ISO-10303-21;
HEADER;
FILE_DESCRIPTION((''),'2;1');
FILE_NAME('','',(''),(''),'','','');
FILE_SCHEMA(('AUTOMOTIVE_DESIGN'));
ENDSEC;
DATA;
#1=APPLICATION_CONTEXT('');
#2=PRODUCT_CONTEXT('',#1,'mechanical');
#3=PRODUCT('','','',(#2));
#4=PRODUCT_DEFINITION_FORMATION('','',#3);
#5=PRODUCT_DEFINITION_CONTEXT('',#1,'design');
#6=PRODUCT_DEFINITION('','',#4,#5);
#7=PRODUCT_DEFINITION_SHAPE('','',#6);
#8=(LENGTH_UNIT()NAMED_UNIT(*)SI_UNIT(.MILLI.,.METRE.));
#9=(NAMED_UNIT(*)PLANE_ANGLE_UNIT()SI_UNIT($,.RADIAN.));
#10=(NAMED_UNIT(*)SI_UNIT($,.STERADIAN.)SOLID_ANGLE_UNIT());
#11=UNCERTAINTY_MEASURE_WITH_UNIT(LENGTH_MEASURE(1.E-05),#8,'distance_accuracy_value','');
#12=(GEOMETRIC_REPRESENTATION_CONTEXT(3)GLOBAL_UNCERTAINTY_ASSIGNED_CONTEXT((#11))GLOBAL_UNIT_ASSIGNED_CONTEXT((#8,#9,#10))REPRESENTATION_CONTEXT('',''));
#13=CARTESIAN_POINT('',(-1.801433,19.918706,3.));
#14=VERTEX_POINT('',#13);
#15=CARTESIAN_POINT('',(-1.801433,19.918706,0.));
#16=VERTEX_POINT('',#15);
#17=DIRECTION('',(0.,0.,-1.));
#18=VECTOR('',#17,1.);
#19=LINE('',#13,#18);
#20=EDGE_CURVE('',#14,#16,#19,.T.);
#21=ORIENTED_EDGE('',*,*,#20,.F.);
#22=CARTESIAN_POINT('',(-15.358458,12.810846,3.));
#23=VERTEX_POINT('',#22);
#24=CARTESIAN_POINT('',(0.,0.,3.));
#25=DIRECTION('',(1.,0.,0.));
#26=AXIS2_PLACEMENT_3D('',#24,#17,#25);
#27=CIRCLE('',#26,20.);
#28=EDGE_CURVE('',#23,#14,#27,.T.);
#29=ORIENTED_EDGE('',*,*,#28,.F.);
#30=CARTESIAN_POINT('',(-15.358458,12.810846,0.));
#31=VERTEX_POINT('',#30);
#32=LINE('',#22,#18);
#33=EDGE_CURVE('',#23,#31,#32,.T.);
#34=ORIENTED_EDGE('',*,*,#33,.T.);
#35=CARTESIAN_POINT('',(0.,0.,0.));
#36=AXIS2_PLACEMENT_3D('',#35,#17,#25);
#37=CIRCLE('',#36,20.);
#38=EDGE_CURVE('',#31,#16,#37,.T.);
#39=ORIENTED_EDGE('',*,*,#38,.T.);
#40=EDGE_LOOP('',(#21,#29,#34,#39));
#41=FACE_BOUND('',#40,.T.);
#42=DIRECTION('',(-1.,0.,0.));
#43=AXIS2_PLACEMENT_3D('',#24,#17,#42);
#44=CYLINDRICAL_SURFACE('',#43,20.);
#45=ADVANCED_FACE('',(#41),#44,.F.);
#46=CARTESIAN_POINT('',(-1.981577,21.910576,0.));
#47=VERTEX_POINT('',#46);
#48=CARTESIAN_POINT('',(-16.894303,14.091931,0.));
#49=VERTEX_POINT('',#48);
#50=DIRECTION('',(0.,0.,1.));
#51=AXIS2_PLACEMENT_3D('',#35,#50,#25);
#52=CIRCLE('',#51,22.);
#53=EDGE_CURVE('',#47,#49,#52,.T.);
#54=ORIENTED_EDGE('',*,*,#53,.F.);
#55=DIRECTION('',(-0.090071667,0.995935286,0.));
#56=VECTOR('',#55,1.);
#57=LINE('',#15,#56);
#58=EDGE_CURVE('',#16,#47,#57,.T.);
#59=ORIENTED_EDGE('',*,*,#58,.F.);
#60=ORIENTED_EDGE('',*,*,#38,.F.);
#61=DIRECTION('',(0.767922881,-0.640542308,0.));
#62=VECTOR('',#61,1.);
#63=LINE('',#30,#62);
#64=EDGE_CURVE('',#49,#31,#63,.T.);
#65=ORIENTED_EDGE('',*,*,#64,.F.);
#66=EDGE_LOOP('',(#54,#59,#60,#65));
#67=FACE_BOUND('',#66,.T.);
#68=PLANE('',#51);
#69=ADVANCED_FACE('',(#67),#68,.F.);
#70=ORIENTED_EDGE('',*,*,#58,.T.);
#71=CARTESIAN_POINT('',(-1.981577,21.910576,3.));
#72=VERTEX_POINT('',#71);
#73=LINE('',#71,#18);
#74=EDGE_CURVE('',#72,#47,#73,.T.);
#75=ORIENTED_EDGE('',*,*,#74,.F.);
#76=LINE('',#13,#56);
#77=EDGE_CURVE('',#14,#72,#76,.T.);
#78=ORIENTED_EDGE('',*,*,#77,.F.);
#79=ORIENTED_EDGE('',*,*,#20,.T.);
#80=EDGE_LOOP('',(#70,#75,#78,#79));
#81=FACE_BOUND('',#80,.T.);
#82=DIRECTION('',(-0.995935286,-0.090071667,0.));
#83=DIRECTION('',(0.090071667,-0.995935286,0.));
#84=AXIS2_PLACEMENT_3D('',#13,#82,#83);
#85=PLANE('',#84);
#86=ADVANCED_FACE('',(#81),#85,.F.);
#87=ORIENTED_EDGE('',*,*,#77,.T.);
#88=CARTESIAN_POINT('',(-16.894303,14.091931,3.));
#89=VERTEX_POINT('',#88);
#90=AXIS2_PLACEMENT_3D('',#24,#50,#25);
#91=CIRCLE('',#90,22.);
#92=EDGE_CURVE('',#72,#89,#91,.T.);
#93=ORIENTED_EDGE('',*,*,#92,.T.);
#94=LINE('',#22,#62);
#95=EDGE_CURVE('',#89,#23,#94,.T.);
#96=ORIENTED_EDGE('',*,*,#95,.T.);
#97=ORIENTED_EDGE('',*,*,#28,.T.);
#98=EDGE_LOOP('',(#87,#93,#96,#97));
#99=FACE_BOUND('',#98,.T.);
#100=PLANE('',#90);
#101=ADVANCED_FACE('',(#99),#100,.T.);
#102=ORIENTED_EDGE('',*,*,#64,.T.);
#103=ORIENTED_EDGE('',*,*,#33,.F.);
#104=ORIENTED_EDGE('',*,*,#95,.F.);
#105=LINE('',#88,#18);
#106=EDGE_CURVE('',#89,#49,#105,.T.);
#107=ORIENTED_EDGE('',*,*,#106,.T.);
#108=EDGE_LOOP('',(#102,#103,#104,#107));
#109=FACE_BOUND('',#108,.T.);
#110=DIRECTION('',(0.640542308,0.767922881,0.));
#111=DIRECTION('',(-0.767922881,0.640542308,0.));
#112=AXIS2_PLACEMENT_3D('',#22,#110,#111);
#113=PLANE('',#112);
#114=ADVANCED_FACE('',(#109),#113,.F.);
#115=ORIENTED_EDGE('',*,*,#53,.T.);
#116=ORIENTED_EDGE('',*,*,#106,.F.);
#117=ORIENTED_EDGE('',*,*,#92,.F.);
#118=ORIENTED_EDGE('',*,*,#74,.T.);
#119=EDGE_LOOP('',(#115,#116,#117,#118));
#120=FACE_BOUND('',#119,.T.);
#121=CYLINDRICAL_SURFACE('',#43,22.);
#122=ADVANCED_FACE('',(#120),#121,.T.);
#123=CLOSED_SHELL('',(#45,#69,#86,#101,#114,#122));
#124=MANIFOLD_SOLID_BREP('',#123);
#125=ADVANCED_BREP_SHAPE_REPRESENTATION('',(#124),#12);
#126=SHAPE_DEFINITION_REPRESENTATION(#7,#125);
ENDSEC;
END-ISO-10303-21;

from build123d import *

# Parameters (mm, degrees)
BOSS_EXTRUDE1_DEPTH = 3


with BuildPart() as part:
    # Sketch1 → Boss-Extrude1 (new body)
    with BuildSketch(Plane.XY):
        with BuildLine():
            Line((-15.358457621, 12.810846167), (-16.894303383, 14.091930784))
            ThreePointArc((-16.894303383, 14.091930784), (-10.21555267, 19.484416431), (-1.981576668, 21.910576303))
            Line((-1.981576668, 21.910576303), (-1.801433335, 19.91870573))
            ThreePointArc((-1.801433335, 19.91870573), (-9.286866064, 17.713105846), (-15.358457621, 12.810846167))
        make_face()
    extrude(amount=BOSS_EXTRUDE1_DEPTH)


solid = part.part
